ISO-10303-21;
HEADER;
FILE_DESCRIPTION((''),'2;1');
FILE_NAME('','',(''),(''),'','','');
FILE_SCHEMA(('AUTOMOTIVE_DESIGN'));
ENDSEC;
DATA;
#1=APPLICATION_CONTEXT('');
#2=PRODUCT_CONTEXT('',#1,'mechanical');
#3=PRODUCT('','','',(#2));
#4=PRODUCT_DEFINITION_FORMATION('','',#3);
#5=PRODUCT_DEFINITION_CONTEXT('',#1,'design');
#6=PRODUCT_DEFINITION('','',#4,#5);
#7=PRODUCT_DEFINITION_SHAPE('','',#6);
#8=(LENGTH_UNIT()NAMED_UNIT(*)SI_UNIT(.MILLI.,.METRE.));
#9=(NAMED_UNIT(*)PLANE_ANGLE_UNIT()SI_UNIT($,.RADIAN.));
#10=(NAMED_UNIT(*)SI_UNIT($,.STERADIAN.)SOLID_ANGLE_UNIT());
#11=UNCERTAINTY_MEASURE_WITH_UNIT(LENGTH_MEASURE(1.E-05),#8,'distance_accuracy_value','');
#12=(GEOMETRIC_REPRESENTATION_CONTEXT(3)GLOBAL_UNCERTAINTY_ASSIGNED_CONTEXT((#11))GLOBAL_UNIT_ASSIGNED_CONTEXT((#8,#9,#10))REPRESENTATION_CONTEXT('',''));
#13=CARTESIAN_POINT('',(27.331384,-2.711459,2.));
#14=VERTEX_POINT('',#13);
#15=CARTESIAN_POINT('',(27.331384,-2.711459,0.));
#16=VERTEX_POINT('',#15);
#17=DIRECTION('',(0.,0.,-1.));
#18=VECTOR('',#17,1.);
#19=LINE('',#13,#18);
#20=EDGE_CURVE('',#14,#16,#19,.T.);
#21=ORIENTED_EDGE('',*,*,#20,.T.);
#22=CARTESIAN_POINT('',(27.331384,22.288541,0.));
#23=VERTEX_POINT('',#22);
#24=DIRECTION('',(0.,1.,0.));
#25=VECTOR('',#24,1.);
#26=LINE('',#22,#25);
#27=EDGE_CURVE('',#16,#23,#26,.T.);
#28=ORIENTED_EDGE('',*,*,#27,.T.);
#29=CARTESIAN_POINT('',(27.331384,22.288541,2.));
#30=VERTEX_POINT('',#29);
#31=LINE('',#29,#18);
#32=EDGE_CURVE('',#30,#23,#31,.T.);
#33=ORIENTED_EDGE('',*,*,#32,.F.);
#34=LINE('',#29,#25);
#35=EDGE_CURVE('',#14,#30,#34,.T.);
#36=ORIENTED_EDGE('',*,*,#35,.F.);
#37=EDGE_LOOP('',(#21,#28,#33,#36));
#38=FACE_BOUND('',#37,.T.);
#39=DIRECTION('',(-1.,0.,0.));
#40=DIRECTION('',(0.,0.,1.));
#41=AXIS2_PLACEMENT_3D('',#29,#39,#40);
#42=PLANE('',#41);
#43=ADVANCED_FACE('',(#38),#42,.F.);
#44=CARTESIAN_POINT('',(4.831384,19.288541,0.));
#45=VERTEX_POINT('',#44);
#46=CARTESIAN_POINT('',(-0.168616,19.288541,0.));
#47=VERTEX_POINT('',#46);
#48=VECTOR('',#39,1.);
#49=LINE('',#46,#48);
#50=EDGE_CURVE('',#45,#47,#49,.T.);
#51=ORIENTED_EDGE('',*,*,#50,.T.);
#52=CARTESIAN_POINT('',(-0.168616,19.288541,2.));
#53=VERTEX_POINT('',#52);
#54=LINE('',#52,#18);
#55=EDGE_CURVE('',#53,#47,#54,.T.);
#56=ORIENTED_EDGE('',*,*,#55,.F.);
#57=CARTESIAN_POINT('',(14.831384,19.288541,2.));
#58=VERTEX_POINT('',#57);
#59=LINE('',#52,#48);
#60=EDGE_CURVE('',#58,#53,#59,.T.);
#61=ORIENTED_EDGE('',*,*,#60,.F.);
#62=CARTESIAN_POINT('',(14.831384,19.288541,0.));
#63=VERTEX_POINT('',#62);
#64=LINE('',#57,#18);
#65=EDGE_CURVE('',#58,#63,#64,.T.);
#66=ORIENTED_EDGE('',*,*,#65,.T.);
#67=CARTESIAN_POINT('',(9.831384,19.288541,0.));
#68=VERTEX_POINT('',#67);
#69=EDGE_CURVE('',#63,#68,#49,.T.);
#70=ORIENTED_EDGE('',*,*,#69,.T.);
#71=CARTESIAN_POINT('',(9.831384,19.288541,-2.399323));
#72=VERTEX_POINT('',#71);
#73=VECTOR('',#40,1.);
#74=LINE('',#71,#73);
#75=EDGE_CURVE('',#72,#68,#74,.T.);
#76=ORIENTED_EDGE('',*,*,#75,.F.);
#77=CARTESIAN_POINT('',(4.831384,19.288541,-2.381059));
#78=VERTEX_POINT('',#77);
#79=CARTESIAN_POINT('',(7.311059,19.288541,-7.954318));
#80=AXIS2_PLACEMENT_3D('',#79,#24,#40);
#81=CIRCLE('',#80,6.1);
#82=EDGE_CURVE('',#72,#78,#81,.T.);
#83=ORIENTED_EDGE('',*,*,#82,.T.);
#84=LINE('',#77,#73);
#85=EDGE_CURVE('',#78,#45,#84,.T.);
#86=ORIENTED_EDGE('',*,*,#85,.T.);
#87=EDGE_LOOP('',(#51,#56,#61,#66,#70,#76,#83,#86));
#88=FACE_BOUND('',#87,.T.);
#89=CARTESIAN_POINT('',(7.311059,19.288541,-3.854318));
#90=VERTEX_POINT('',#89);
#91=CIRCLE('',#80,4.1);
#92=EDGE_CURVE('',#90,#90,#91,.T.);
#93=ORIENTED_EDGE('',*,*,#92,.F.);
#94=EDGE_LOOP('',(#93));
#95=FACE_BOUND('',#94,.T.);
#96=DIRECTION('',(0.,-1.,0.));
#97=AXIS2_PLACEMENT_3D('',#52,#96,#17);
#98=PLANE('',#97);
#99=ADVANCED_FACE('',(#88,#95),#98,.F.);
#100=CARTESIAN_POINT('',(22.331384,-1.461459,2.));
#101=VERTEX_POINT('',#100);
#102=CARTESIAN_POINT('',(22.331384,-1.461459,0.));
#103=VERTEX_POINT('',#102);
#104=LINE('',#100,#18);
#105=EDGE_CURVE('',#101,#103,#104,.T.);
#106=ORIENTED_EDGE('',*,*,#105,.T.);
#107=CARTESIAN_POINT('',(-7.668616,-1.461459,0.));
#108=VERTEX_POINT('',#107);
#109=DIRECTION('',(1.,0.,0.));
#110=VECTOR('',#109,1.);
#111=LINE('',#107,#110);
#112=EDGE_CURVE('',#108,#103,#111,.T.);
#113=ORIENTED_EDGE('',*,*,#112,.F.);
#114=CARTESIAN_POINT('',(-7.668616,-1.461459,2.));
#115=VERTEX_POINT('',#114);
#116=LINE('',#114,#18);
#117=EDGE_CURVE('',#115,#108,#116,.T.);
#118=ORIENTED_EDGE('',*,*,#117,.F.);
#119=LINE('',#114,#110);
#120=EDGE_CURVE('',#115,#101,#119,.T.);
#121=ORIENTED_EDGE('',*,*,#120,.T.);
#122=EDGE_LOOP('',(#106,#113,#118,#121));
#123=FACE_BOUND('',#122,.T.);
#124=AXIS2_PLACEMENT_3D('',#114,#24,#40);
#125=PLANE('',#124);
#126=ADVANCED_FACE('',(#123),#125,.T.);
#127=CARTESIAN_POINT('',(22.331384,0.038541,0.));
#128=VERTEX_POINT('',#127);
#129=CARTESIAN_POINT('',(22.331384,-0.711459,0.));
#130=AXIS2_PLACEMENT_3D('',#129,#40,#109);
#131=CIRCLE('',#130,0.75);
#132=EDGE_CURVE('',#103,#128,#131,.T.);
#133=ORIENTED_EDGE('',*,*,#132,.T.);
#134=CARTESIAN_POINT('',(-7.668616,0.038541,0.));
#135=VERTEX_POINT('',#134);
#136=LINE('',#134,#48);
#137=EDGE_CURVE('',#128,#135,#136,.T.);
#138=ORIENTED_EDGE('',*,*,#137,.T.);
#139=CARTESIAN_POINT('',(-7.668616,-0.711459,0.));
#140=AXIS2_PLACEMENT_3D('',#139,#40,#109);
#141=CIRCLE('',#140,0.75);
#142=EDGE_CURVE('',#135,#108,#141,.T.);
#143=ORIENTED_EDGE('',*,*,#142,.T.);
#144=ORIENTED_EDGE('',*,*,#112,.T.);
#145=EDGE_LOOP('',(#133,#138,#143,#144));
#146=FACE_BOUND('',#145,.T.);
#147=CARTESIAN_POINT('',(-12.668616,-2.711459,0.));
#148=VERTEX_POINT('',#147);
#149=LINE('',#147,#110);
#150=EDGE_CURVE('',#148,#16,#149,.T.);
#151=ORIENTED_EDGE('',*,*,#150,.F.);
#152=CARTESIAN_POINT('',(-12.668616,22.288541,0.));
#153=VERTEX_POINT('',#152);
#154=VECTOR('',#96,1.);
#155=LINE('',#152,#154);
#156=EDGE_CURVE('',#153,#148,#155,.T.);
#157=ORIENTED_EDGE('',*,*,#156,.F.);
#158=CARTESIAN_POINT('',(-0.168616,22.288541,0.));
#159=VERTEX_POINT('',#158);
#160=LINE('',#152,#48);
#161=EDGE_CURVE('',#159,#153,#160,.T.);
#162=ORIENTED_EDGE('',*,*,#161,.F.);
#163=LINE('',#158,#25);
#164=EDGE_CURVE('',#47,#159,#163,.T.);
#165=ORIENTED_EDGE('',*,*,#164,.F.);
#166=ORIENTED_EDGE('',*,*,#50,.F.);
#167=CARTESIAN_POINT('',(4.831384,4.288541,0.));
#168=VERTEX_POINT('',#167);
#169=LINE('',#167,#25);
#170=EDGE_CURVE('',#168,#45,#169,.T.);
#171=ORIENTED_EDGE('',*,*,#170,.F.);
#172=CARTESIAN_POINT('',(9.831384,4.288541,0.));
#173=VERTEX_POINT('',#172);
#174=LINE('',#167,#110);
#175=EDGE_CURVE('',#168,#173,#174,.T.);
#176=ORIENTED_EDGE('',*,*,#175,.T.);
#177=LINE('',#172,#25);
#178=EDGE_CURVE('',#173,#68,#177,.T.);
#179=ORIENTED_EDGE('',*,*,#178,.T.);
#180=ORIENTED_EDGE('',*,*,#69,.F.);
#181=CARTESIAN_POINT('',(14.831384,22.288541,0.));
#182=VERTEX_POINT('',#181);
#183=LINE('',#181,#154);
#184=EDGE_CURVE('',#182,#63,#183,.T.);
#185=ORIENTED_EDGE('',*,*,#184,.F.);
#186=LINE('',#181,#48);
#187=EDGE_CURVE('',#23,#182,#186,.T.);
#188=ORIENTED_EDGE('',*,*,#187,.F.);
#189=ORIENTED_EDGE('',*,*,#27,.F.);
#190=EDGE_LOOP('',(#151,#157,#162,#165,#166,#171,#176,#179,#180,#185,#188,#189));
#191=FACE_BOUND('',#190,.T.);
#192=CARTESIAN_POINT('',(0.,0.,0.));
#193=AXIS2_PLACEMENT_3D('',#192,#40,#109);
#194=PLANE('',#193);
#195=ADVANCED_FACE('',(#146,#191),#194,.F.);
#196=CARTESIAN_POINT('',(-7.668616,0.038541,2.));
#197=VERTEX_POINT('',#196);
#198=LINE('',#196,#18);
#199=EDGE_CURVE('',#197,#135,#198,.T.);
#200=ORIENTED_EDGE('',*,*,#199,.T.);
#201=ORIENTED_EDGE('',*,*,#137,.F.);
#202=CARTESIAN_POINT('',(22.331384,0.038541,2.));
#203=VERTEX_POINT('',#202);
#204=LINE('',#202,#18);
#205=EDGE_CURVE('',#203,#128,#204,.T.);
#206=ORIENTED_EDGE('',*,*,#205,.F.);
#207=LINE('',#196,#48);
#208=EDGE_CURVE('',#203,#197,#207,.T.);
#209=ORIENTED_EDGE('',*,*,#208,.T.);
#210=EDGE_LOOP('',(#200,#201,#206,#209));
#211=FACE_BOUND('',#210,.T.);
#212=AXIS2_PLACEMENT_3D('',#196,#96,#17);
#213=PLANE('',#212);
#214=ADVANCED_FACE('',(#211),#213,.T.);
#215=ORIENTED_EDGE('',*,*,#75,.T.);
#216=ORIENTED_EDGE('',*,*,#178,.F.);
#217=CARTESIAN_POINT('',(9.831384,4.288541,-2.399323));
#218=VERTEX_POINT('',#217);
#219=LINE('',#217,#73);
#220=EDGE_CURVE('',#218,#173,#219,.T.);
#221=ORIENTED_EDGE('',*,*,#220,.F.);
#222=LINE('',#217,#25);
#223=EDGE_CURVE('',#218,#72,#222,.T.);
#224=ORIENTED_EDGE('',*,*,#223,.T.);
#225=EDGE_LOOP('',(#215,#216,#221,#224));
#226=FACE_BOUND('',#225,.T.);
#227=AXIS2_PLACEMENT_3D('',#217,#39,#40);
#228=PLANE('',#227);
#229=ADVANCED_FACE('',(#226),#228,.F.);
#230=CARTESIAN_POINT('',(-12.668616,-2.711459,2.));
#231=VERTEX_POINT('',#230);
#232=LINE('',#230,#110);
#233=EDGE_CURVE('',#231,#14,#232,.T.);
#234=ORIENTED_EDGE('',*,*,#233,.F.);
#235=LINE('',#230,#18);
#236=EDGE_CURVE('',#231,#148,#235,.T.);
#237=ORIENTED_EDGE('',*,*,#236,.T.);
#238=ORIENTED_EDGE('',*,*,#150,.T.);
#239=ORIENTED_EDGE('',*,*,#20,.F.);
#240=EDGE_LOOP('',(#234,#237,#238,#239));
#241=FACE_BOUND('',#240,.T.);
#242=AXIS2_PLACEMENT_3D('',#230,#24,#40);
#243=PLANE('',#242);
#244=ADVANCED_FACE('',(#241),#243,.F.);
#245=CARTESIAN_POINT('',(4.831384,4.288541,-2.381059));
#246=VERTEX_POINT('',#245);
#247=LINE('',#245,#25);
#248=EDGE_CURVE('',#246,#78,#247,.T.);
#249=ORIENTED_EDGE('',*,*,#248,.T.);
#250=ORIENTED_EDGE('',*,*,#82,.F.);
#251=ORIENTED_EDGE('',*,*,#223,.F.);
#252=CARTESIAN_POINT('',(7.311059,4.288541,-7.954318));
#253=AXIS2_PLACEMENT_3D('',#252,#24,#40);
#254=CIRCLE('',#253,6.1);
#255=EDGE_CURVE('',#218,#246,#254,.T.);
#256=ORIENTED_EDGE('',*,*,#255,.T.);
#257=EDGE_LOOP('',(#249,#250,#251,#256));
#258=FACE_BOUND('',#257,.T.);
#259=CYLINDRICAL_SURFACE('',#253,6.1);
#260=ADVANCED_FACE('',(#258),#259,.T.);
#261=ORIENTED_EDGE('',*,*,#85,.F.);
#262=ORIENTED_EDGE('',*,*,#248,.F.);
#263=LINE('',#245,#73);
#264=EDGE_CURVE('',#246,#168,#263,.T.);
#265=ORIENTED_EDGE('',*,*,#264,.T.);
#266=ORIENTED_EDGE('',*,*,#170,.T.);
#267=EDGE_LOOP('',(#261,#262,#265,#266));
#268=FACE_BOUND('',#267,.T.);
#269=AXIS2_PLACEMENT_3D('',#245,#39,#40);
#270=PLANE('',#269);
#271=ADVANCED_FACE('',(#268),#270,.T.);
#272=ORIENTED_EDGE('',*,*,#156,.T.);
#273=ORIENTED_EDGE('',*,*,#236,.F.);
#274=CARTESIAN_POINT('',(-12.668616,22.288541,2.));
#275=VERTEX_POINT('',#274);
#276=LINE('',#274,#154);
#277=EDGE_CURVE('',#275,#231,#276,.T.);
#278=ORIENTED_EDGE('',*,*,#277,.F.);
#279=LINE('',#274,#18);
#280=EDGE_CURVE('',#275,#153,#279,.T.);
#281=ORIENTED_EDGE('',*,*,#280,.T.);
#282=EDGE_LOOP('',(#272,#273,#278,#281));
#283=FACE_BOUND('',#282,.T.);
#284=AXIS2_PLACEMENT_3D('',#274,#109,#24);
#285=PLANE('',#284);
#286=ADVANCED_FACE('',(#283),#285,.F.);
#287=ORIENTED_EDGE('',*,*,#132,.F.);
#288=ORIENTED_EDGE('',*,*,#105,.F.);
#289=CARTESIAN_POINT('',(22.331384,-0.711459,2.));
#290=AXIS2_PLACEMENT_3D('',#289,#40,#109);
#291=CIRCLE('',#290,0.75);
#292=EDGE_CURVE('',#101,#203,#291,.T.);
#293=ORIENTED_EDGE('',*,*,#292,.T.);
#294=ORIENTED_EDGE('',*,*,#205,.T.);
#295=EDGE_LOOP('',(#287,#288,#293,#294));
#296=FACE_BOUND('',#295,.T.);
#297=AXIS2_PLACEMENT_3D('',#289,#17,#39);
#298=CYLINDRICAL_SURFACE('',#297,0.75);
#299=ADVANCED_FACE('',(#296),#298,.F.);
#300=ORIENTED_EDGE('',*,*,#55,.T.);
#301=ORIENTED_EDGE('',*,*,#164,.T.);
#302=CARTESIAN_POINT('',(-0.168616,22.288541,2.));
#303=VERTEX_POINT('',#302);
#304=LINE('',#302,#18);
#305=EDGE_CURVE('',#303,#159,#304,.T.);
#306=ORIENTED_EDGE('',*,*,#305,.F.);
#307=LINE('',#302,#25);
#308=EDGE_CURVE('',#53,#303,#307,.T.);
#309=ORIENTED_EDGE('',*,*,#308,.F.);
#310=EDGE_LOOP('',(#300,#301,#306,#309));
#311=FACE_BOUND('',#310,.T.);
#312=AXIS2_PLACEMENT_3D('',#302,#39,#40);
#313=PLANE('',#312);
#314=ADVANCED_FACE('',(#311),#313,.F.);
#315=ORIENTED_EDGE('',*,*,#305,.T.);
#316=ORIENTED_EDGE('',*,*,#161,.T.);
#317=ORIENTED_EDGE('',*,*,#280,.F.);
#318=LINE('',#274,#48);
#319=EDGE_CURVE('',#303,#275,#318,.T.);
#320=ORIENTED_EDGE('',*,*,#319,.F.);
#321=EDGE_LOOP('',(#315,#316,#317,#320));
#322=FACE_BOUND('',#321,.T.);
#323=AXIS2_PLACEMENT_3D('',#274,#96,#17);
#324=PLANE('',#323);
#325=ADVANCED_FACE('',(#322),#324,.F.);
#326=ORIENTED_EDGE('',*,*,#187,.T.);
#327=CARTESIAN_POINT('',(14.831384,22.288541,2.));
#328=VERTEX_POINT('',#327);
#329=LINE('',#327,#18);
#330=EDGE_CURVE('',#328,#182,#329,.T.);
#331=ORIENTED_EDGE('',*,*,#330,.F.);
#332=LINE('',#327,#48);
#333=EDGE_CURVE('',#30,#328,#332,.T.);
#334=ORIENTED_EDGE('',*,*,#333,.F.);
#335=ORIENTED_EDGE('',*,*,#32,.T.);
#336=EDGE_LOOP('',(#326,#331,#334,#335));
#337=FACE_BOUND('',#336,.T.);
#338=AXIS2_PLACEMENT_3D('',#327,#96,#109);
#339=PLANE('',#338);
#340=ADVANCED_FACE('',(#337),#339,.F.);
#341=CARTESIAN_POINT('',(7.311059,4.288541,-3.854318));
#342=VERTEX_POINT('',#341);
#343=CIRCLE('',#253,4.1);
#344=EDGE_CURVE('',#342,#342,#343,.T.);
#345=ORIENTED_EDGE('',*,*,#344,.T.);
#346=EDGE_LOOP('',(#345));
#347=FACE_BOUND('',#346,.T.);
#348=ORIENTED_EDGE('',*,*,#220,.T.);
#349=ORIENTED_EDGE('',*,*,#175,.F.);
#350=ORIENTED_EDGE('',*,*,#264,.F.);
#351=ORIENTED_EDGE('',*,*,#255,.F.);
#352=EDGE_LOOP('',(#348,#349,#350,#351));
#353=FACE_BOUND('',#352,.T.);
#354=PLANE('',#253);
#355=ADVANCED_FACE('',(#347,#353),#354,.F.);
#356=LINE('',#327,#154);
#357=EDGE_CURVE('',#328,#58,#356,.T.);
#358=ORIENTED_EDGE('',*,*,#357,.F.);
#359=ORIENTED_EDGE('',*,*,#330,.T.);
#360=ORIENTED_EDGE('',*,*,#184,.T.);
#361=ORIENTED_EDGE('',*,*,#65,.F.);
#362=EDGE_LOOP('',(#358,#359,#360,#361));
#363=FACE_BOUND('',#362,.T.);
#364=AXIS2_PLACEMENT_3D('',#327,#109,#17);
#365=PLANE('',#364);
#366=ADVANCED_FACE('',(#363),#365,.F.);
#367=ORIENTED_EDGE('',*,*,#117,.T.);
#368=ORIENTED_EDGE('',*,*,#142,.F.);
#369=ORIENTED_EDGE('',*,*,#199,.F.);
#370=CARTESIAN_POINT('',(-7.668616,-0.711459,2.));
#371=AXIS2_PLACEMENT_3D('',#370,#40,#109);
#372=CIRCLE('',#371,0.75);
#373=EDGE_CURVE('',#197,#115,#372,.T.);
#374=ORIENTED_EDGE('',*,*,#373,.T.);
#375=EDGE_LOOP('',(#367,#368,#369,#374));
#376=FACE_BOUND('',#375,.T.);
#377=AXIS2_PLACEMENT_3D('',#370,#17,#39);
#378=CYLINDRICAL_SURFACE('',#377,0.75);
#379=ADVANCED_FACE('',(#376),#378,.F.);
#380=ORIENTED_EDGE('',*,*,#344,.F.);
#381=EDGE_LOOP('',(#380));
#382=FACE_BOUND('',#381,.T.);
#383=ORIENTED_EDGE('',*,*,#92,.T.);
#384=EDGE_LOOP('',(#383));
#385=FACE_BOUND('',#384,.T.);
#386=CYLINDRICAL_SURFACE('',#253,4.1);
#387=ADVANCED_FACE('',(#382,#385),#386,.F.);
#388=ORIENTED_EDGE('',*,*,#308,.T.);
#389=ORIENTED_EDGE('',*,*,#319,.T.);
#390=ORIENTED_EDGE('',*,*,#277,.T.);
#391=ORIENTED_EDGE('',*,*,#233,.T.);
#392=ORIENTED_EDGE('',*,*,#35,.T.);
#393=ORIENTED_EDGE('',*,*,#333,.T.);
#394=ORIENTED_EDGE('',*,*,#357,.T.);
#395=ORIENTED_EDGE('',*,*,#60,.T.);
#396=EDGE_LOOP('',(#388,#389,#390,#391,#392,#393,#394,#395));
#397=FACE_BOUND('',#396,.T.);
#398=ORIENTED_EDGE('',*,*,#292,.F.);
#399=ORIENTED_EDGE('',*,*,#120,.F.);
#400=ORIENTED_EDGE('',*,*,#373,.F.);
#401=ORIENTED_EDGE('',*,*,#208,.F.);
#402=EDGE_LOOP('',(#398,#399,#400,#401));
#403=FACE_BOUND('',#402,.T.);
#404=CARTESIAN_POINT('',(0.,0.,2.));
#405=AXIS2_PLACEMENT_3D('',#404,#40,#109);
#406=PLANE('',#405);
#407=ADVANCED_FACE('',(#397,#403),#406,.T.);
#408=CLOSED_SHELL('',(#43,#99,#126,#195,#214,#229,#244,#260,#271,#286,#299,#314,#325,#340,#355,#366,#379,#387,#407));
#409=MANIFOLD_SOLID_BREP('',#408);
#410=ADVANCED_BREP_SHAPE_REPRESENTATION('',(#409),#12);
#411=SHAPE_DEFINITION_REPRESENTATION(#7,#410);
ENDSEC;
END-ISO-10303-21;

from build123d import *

# Parameters (mm, degrees)
EXTRUDE_1_DEPTH = 2
SKETCH_2_R      = 4.1
EXTRUDE_2_DEPTH = 15


with BuildPart() as part:
    # 草图1 → 凸台-拉伸1 (new body)
    with BuildSketch(Plane.XY):
        Polygon((-12.668616293, 22.288540635), (-0.168616293, 22.288540635), (-0.168616293, 19.288540635), (14.831383707, 19.288540635), (14.831383707, 22.288540635), (27.331383707, 22.288540635), (27.331383707, -2.711459365), (-12.668616293, -2.711459365), align=None)
        with BuildLine():
            Line((-7.668616293, 0.038540635), (22.331383707, 0.038540635))
            ThreePointArc((22.331383707, 0.038540635), (23.081383707, -0.711459365), (22.331383707, -1.461459365))
            Line((22.331383707, -1.461459365), (-7.668616293, -1.461459365))
            ThreePointArc((-7.668616293, -1.461459365), (-8.418616293, -0.711459365), (-7.668616293, 0.038540635))
        make_face(mode=Mode.SUBTRACT)
    extrude(amount=EXTRUDE_1_DEPTH)

    # 草图2 → 凸台-拉伸2 (add)
    with BuildSketch(Plane(origin=(0, 19.288540635, 0), x_dir=(1, 0, 0), z_dir=(0, 1, 0))):
        with BuildLine():
            Line((4.831383707, 2.381058819), (4.831383707, 0))
            Line((4.831383707, 0), (9.831383707, 0))
            Line((9.831383707, 0), (9.831383707, 2.399323324))
            ThreePointArc((9.831383707, 2.399323324), (7.288775956, 14.054276854), (4.831383707, 2.381058819))
        make_face()
        with Locations((7.311058504, 7.954317551)):
            Circle(SKETCH_2_R, mode=Mode.SUBTRACT)
    extrude(amount=-EXTRUDE_2_DEPTH)


solid = part.part
